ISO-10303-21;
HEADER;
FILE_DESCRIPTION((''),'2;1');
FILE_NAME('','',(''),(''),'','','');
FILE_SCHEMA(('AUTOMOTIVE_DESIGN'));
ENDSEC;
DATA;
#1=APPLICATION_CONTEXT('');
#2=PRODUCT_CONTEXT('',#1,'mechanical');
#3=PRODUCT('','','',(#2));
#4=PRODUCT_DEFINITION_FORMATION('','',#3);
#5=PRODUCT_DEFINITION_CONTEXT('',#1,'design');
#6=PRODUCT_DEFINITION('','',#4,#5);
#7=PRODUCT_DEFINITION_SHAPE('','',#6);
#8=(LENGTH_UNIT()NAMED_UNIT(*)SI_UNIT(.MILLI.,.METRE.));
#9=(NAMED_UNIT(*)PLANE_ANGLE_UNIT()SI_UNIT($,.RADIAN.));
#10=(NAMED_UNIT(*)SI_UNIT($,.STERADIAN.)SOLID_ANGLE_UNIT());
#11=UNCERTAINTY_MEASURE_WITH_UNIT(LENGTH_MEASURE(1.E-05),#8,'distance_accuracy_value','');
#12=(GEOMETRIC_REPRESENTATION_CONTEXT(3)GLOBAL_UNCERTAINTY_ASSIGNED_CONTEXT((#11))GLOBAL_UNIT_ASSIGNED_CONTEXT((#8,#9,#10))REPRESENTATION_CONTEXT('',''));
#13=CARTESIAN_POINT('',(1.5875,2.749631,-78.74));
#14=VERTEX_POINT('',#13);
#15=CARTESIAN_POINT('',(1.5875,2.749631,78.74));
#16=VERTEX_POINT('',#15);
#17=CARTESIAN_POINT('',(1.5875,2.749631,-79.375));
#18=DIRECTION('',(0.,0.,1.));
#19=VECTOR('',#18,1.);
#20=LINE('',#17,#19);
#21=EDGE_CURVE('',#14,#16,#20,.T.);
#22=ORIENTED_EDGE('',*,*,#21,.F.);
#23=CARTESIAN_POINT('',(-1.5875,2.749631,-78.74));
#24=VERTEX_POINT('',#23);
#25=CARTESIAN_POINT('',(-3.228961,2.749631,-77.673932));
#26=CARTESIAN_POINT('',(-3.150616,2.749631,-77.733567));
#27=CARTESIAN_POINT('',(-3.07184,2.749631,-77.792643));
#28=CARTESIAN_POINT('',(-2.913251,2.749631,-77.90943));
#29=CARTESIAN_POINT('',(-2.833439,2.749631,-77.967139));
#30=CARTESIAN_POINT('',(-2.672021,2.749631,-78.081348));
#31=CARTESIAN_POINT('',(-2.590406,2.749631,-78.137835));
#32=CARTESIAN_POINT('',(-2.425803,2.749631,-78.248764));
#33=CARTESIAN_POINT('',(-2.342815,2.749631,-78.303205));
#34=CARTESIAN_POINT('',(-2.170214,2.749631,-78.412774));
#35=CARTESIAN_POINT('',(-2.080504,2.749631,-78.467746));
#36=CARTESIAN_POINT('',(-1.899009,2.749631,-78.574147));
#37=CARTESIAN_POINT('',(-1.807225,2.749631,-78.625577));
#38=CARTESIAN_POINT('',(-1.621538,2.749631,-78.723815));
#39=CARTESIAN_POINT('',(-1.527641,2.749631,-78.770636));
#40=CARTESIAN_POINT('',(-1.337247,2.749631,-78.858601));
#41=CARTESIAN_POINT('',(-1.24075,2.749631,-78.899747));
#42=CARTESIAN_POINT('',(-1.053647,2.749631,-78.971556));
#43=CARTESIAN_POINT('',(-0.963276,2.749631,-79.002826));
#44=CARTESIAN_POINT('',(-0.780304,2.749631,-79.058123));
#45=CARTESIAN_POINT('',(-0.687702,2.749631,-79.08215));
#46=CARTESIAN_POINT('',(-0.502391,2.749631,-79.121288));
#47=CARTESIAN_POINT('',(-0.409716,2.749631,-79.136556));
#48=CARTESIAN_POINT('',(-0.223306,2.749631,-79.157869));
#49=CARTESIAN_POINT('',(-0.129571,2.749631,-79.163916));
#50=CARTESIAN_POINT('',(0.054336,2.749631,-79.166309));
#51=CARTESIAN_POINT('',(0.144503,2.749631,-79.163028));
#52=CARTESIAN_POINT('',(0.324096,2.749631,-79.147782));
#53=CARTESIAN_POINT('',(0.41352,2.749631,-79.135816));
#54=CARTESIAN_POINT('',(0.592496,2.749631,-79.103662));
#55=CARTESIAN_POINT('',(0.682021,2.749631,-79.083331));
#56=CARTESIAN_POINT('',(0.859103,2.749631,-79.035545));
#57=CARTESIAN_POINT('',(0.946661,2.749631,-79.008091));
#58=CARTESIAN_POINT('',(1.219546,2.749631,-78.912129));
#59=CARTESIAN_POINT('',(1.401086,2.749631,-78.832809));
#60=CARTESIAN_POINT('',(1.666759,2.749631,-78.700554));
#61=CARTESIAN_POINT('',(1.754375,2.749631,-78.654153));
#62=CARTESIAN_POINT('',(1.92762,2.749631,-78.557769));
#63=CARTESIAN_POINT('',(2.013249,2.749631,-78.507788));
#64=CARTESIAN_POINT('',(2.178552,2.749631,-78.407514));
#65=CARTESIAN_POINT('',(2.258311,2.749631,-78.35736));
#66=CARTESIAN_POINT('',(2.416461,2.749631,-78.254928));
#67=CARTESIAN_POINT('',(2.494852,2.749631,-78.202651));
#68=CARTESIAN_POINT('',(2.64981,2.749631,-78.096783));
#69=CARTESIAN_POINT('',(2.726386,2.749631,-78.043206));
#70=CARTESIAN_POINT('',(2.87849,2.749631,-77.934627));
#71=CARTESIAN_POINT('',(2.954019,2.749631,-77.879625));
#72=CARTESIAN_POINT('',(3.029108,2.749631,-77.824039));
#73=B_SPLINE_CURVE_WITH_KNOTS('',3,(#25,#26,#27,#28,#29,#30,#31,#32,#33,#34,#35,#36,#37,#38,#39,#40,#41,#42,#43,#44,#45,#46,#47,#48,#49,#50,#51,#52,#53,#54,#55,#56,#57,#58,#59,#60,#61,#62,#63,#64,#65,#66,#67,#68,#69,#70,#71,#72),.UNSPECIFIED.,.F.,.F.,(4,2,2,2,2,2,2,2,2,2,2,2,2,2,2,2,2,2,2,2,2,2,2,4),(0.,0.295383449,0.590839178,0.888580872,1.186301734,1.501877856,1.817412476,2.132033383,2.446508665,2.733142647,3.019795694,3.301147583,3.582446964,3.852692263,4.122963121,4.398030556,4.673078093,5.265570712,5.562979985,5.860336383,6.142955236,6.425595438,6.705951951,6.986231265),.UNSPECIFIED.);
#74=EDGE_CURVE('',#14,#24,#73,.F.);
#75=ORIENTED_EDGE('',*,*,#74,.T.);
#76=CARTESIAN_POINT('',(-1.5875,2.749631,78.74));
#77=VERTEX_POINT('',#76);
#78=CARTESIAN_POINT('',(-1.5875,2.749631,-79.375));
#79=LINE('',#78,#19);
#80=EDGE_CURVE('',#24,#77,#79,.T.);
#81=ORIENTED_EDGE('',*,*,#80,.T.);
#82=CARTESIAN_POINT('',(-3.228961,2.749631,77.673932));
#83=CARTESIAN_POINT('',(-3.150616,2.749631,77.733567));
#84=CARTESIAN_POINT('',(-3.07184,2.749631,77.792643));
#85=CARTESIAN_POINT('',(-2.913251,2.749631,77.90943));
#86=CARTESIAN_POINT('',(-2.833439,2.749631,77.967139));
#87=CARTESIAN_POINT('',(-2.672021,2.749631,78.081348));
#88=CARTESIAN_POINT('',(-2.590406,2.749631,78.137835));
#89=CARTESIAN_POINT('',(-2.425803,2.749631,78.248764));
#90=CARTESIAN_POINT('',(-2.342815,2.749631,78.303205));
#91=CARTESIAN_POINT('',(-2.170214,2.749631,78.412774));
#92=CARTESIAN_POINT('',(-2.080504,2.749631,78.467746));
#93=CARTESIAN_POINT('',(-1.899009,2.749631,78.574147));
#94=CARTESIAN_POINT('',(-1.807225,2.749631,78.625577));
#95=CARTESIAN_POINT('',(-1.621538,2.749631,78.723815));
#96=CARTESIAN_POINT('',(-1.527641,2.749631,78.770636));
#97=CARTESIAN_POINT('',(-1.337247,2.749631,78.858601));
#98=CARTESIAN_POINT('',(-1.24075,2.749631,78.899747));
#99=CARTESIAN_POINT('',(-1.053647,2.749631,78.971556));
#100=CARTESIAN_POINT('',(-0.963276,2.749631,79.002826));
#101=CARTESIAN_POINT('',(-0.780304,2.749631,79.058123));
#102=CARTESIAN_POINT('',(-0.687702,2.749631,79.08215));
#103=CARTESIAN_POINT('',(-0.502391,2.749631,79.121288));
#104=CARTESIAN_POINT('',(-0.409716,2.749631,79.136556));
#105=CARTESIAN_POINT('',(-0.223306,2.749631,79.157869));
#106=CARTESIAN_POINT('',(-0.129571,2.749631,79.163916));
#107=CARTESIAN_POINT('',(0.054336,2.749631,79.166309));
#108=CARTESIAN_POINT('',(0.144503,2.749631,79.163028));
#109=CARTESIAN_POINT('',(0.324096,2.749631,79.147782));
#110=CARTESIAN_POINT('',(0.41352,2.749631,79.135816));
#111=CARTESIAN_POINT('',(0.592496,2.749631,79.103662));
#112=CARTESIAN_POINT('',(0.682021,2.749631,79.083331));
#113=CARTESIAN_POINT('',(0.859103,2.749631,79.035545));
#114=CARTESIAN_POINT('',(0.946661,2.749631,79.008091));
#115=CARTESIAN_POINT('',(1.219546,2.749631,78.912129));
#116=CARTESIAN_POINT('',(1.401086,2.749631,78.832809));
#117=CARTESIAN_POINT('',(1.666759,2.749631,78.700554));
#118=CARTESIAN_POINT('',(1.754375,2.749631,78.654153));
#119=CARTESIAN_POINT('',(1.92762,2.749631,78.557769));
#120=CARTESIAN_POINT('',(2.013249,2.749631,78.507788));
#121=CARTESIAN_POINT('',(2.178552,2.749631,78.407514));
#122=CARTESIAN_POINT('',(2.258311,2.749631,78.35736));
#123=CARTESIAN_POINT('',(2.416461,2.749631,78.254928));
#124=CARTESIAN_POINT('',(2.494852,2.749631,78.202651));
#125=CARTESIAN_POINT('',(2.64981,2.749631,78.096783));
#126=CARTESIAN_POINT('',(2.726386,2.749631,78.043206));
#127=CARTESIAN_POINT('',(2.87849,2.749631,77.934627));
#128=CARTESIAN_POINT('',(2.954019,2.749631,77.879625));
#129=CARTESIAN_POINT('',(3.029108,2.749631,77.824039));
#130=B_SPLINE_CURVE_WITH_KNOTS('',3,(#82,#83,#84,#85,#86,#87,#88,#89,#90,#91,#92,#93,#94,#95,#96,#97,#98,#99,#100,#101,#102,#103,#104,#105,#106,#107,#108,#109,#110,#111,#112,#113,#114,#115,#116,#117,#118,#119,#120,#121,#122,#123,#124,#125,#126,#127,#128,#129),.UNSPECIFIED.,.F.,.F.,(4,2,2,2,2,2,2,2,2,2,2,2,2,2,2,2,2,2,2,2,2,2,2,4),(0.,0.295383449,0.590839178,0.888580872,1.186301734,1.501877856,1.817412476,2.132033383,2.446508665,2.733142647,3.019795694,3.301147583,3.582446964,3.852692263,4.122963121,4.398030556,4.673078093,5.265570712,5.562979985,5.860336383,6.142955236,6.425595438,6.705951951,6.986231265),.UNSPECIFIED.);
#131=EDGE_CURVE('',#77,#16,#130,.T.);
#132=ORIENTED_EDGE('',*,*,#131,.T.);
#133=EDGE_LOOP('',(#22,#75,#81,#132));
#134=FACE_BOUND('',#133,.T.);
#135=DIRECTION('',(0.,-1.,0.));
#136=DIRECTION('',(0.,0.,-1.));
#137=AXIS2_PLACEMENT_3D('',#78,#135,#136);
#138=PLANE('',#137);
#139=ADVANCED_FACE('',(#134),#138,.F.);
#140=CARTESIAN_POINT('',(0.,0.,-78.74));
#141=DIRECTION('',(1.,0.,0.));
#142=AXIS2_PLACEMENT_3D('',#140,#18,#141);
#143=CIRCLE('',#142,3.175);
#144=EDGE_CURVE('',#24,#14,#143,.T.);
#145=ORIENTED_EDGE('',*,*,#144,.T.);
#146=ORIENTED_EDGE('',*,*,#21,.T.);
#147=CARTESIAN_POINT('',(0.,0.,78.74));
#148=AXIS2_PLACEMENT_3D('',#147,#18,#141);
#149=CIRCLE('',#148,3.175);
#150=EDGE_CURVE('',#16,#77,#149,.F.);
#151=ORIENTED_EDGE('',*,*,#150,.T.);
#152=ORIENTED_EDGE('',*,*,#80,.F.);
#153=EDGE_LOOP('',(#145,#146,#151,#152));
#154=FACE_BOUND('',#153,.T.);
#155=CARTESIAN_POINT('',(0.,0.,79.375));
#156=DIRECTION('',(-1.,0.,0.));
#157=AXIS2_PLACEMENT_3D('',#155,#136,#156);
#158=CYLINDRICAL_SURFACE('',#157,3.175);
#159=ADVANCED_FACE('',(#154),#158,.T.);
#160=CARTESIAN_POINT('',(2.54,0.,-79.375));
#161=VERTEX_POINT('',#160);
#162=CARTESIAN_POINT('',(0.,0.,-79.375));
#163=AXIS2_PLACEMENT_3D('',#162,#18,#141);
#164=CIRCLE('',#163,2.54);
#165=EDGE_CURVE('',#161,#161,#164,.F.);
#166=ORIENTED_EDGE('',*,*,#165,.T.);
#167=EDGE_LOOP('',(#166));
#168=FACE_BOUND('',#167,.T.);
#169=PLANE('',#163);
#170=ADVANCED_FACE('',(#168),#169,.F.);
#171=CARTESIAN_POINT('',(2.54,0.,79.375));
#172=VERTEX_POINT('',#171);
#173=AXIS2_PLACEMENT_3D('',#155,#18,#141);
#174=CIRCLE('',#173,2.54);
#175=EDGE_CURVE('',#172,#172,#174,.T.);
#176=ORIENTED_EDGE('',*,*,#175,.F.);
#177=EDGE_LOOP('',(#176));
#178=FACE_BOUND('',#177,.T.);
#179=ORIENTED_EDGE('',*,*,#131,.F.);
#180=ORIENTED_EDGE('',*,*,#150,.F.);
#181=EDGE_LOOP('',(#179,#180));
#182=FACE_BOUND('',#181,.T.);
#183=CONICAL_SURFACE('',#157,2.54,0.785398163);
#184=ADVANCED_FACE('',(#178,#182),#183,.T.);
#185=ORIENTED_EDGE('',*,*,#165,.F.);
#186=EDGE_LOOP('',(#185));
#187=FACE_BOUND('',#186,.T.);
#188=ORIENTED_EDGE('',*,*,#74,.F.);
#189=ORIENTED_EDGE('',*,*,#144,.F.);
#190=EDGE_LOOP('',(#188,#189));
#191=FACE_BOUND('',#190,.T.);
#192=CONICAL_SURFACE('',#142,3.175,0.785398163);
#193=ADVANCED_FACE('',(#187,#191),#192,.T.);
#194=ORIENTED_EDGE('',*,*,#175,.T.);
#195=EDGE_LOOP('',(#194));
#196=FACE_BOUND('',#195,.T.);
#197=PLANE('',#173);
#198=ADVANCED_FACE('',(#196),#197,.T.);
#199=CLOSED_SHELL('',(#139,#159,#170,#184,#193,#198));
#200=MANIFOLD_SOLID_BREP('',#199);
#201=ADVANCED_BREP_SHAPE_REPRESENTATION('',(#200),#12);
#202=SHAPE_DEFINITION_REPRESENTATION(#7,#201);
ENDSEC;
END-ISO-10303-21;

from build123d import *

# Parameters (mm, degrees)
SKETCH1_R           = 3.175
EXTRUDE1_DEPTH      = 79.375
CHAMFER1_SIZE       = 0.635
EXTRUDE7_DEPTH      = 80.375
EXTRUDE7_DEPTH_BACK = 80.375


with BuildPart() as part:
    # Sketch1 → Extrude1 (new body, symmetric)
    with BuildSketch(Plane.XY):
        Circle(SKETCH1_R)
    extrude(amount=EXTRUDE1_DEPTH, both=True)

    # Chamfer1
    chamfer1_edges = [part.edges().sort_by_distance(p)[0] for p in [
        (-3.175, 0, -79.375),
        (-3.175, 0, 79.375),
    ]]
    chamfer(chamfer1_edges, length=CHAMFER1_SIZE)

    # Sketch13 → Extrude7 (cut, two sides)
    with BuildSketch(Plane.XY) as extrude7_sk:
        with BuildLine():
            Line((-1.5875, 2.749630657), (1.5875, 2.749630657))
            ThreePointArc((1.5875, 2.749630657), (0, 3.175), (-1.5875, 2.749630657))
        make_face()
    extrude(amount=EXTRUDE7_DEPTH, mode=Mode.SUBTRACT)
    extrude(extrude7_sk.sketch, amount=-EXTRUDE7_DEPTH_BACK, mode=Mode.SUBTRACT)


solid = part.part
